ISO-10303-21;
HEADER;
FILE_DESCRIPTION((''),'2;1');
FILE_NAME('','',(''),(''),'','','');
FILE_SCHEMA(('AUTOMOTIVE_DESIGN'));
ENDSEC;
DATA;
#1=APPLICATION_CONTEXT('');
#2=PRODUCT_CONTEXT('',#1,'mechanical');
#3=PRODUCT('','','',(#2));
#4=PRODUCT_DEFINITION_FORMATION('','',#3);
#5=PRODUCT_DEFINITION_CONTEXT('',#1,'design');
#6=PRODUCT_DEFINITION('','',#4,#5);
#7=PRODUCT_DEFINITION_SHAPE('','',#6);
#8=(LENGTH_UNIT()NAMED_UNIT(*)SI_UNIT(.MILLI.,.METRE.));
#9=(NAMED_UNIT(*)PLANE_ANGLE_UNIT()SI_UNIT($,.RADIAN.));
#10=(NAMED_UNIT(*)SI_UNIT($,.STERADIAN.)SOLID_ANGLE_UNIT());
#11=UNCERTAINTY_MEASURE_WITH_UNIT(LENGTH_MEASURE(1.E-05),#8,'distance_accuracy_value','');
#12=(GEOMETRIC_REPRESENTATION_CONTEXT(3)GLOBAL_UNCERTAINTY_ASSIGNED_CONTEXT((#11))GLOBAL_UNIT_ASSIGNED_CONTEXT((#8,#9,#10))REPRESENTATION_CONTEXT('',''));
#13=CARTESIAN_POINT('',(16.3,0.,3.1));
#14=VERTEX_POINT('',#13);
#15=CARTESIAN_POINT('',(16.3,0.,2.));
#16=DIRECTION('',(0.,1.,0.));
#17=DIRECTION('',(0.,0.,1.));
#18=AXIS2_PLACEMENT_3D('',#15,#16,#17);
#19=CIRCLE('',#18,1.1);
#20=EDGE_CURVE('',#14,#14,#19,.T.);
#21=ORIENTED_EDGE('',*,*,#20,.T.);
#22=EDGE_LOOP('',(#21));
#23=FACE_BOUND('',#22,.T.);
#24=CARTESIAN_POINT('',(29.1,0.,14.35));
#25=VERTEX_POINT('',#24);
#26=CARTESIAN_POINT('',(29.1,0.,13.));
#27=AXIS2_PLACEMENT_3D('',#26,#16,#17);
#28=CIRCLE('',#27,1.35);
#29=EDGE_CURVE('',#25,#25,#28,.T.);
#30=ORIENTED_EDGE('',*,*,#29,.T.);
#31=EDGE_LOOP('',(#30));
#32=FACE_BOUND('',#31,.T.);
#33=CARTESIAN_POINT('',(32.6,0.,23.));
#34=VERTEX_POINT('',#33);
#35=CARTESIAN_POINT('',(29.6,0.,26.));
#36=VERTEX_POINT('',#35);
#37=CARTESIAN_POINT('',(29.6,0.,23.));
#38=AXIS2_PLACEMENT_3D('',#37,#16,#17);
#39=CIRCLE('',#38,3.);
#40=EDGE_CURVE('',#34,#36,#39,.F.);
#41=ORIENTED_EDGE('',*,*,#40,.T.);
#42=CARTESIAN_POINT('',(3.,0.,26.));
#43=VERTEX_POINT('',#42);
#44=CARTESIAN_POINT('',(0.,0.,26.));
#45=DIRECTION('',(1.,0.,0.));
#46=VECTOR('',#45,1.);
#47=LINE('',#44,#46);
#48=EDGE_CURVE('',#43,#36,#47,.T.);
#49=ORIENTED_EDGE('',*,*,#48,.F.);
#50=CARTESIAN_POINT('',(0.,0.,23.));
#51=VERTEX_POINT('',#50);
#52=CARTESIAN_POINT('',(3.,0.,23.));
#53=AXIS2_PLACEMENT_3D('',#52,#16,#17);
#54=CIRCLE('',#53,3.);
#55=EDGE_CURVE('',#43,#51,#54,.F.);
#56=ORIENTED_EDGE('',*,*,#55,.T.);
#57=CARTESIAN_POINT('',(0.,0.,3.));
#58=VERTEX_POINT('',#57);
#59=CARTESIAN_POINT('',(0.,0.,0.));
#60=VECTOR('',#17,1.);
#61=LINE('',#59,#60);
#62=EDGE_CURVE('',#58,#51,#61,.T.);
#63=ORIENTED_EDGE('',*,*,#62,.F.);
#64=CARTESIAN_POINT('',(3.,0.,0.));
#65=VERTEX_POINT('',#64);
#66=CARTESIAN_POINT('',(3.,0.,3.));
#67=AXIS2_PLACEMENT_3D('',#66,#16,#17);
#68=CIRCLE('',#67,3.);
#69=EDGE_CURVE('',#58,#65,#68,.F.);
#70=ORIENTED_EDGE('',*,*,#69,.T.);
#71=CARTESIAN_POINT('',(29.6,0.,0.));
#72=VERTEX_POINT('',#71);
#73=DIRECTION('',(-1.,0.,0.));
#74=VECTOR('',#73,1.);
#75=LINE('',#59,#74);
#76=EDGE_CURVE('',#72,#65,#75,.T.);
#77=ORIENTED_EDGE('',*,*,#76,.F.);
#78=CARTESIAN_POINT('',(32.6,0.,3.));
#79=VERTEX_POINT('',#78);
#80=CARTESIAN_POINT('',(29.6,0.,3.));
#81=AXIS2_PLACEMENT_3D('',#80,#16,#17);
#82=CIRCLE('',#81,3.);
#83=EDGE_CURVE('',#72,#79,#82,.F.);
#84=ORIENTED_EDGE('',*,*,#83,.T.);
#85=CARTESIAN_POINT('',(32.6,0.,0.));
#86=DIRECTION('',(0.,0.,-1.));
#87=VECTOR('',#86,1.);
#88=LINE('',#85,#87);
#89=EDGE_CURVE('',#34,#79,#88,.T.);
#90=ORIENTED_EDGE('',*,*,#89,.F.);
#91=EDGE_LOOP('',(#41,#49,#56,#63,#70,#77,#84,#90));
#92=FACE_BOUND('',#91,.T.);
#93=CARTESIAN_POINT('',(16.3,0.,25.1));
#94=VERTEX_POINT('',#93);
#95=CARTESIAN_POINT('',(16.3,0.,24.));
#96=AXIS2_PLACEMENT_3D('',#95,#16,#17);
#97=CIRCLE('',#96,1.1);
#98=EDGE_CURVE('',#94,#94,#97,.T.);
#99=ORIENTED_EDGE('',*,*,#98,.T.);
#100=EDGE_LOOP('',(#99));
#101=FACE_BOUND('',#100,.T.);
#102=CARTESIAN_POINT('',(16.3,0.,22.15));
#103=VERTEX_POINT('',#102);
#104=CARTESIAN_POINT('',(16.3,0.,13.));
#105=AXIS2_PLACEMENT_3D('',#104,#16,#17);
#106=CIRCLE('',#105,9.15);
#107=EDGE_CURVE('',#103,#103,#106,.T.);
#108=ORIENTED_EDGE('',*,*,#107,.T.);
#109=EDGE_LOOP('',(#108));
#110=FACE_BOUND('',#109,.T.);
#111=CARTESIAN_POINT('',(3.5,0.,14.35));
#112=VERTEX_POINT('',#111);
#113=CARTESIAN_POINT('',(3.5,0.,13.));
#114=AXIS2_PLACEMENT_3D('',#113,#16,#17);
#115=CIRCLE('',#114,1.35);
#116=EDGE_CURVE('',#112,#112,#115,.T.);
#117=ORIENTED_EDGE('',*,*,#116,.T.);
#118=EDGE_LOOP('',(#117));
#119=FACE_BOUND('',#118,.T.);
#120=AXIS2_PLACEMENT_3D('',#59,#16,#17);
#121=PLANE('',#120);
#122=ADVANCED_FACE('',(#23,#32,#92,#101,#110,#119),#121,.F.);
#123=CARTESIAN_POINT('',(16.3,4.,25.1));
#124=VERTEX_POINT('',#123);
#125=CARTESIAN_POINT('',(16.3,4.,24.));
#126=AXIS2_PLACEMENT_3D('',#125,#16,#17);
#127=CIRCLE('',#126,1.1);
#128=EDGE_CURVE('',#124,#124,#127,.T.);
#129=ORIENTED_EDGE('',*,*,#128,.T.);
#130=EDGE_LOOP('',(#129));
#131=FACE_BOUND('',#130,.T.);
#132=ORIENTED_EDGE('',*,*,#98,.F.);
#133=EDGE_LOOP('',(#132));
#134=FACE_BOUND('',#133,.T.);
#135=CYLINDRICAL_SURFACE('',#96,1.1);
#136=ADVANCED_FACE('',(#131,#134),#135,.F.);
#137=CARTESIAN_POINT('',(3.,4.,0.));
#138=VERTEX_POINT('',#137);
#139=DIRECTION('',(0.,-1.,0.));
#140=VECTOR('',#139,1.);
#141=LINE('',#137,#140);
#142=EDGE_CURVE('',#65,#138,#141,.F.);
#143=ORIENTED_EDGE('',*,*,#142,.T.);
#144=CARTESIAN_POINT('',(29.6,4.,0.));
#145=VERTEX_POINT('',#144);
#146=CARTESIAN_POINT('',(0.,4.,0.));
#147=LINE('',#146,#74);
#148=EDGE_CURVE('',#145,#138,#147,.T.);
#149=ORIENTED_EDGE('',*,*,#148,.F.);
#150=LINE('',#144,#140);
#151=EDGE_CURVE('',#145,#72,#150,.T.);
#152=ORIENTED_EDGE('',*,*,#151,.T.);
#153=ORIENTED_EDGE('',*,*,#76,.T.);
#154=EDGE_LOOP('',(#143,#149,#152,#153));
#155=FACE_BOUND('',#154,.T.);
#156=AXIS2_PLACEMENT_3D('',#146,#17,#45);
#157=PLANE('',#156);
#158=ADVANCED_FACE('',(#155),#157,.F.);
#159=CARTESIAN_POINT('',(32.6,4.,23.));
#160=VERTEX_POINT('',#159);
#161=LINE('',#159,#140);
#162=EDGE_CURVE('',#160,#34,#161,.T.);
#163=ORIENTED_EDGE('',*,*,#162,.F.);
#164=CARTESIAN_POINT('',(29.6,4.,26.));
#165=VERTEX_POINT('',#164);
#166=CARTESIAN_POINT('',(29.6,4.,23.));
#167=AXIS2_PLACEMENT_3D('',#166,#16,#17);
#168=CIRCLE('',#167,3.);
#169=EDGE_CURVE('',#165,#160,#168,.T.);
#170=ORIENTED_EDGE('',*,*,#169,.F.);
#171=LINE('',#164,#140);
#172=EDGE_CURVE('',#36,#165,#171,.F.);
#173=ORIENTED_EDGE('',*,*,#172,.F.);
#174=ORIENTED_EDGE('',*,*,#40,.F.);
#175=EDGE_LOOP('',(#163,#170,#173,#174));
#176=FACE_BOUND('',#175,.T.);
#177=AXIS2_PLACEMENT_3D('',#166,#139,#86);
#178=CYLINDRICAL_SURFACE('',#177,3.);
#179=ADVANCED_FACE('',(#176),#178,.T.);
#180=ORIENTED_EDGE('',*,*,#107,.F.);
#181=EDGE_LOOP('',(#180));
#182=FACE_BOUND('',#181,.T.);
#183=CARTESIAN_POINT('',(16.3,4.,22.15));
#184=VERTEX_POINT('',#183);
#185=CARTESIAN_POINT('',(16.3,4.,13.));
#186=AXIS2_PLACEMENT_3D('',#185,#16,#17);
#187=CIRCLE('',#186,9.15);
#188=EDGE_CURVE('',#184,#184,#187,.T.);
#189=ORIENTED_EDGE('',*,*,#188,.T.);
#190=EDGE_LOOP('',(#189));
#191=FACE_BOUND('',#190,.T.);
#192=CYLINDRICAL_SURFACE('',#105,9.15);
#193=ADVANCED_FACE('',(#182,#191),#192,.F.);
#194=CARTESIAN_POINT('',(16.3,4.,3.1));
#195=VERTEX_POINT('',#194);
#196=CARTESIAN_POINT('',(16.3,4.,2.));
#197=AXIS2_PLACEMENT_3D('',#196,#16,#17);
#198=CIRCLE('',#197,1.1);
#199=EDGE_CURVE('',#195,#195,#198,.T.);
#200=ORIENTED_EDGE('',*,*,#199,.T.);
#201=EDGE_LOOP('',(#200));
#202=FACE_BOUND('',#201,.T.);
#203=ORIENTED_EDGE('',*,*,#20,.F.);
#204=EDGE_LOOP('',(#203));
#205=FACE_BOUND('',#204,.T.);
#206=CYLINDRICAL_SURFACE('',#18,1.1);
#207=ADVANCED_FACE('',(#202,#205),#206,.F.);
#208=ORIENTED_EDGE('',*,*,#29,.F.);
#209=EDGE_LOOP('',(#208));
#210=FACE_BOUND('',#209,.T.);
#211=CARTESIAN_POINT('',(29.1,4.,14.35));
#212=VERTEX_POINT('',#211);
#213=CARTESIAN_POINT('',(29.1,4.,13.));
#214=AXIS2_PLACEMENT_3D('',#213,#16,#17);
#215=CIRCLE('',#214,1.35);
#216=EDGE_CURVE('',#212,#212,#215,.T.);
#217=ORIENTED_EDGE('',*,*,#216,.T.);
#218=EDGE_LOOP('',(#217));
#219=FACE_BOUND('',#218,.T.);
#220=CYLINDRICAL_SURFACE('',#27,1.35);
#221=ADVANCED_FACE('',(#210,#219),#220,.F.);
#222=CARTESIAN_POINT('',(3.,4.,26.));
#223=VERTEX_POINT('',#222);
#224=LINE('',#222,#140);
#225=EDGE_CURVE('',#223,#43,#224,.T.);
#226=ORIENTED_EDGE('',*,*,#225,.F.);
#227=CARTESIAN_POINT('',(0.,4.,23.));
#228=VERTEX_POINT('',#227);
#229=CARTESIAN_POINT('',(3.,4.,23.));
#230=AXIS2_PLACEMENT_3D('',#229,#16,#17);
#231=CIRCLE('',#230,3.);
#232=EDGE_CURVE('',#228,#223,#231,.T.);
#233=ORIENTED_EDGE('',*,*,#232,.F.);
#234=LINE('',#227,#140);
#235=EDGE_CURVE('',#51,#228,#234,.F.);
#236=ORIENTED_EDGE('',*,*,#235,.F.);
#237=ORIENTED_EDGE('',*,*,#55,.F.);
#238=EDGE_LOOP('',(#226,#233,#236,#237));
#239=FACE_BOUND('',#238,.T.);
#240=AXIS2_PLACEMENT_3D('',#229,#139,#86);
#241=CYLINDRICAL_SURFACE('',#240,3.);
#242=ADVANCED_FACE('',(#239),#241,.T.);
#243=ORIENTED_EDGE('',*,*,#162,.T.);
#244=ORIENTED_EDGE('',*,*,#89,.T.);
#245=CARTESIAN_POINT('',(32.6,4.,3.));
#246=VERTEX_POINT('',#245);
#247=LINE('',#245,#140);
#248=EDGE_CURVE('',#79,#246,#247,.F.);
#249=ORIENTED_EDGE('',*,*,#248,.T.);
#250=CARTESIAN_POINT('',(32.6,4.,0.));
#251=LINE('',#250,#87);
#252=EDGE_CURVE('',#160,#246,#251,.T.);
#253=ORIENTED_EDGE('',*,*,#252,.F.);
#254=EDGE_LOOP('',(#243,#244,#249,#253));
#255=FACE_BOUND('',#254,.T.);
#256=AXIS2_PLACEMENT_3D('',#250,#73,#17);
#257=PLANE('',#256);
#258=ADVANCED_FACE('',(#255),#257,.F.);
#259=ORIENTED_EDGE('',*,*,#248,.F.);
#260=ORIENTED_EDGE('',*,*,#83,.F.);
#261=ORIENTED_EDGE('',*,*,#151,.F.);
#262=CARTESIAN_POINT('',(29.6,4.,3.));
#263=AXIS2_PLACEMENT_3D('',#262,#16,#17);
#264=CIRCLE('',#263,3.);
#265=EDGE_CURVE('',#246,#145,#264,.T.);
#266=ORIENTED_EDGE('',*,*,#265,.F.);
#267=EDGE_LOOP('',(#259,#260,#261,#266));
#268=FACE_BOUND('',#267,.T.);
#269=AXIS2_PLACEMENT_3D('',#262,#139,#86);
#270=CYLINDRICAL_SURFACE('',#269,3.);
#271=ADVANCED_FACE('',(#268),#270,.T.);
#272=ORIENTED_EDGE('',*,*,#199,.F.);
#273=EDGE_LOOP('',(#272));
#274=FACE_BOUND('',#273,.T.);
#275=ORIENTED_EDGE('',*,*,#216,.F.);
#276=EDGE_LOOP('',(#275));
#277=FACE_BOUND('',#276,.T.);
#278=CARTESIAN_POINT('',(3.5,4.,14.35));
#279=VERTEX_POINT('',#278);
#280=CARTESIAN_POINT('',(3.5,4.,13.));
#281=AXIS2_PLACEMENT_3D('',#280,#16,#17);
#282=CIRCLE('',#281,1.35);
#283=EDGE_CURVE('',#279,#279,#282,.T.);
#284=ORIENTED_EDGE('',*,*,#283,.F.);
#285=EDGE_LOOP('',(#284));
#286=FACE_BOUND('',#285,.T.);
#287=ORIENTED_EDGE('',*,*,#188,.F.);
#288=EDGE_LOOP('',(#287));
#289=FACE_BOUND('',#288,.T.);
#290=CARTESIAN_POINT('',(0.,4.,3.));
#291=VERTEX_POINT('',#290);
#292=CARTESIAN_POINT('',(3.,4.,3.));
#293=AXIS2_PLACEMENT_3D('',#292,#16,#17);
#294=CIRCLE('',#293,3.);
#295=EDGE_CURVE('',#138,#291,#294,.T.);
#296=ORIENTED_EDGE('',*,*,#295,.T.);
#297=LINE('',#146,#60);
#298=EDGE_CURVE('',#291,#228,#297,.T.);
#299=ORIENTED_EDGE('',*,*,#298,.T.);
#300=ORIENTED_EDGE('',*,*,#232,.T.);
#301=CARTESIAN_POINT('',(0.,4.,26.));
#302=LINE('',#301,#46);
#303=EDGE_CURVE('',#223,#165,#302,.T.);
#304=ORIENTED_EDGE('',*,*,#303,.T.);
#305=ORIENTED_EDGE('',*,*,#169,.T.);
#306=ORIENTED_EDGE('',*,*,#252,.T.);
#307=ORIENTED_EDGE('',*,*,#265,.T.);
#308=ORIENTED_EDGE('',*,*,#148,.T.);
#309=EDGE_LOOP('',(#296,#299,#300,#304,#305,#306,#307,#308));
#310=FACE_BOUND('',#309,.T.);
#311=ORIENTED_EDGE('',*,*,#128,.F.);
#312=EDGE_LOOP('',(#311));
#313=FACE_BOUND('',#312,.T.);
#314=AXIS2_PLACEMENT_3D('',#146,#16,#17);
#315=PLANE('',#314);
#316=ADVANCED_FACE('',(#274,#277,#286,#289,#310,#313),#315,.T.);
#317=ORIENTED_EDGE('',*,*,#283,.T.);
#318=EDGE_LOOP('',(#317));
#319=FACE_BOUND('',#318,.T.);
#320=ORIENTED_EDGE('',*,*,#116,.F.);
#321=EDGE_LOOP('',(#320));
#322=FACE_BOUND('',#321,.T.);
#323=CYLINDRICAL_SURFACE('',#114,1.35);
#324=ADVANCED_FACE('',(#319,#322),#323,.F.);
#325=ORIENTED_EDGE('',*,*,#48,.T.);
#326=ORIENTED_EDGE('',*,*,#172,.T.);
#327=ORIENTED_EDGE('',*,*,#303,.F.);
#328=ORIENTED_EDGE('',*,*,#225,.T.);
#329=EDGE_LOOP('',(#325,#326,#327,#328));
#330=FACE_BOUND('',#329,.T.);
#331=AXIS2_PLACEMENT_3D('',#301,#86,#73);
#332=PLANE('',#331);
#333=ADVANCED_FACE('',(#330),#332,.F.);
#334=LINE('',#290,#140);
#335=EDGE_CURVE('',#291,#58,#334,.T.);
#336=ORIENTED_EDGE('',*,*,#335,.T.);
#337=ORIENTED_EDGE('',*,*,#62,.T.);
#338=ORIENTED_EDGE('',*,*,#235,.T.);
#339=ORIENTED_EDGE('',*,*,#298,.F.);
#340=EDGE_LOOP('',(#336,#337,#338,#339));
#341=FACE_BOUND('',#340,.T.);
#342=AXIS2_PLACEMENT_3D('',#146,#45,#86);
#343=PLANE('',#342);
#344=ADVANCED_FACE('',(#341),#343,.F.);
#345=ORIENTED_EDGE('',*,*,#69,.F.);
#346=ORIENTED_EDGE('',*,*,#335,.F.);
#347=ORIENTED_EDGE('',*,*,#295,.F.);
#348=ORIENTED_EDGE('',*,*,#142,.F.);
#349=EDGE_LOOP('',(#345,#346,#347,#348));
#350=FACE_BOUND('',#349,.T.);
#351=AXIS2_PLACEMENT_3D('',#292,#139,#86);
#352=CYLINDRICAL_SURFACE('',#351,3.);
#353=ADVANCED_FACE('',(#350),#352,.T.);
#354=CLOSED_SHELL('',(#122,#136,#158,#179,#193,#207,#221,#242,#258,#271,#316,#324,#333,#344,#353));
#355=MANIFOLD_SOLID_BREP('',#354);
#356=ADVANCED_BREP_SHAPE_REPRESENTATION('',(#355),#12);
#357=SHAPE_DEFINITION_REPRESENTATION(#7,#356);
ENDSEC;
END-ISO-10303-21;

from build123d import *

# Parameters (mm, degrees)
SKETCH1_W           = 32.6
SKETCH1_H           = 26
BOSS_EXTRUDE1_DEPTH = 4
SKETCH2_R           = 9.15
SKETCH2_R_2         = 1.35
SKETCH2_R_3         = 1.1
CUT_EXTRUDE1_DEPTH  = 4
FILLET1_R           = 3


with BuildPart() as part:
    # Sketch1 → Boss-Extrude1 (new body)
    with BuildSketch(Plane(origin=(0, 0, 0), x_dir=(1, 0, 0), z_dir=(0, 1, 0))):
        with Locations((16.3, -13)):
            Rectangle(SKETCH1_W, SKETCH1_H)
    extrude(amount=BOSS_EXTRUDE1_DEPTH)

    # Sketch2 → Cut-Extrude1 (cut)
    with BuildSketch(Plane(origin=(0, 4, 0), x_dir=(1, 0, 0), z_dir=(0, 1, 0))):
        with Locations(Location((16.3, -13, 0), (0, 0, 270))):
            Circle(SKETCH2_R)
        with Locations(Location((3.5, -13, 0), (0, 0, 270))):
            Circle(SKETCH2_R_2)
        with Locations(Location((29.1, -13, 0), (0, 0, 270))):
            Circle(SKETCH2_R_2)
        with Locations(Location((16.3, -2, 0), (0, 0, 270))):
            Circle(SKETCH2_R_3)
        with Locations(Location((16.3, -24, 0), (0, 0, 270))):
            Circle(SKETCH2_R_3)
    extrude(amount=-CUT_EXTRUDE1_DEPTH, mode=Mode.SUBTRACT)

    # Fillet1
    fillet1_edges = [part.edges().sort_by_distance(p)[0] for p in [
        (0, 2, 0),
        (32.6, 2, 0),
        (32.6, 2, 26),
        (0, 2, 26),
    ]]
    fillet(fillet1_edges, radius=FILLET1_R)


solid = part.part
